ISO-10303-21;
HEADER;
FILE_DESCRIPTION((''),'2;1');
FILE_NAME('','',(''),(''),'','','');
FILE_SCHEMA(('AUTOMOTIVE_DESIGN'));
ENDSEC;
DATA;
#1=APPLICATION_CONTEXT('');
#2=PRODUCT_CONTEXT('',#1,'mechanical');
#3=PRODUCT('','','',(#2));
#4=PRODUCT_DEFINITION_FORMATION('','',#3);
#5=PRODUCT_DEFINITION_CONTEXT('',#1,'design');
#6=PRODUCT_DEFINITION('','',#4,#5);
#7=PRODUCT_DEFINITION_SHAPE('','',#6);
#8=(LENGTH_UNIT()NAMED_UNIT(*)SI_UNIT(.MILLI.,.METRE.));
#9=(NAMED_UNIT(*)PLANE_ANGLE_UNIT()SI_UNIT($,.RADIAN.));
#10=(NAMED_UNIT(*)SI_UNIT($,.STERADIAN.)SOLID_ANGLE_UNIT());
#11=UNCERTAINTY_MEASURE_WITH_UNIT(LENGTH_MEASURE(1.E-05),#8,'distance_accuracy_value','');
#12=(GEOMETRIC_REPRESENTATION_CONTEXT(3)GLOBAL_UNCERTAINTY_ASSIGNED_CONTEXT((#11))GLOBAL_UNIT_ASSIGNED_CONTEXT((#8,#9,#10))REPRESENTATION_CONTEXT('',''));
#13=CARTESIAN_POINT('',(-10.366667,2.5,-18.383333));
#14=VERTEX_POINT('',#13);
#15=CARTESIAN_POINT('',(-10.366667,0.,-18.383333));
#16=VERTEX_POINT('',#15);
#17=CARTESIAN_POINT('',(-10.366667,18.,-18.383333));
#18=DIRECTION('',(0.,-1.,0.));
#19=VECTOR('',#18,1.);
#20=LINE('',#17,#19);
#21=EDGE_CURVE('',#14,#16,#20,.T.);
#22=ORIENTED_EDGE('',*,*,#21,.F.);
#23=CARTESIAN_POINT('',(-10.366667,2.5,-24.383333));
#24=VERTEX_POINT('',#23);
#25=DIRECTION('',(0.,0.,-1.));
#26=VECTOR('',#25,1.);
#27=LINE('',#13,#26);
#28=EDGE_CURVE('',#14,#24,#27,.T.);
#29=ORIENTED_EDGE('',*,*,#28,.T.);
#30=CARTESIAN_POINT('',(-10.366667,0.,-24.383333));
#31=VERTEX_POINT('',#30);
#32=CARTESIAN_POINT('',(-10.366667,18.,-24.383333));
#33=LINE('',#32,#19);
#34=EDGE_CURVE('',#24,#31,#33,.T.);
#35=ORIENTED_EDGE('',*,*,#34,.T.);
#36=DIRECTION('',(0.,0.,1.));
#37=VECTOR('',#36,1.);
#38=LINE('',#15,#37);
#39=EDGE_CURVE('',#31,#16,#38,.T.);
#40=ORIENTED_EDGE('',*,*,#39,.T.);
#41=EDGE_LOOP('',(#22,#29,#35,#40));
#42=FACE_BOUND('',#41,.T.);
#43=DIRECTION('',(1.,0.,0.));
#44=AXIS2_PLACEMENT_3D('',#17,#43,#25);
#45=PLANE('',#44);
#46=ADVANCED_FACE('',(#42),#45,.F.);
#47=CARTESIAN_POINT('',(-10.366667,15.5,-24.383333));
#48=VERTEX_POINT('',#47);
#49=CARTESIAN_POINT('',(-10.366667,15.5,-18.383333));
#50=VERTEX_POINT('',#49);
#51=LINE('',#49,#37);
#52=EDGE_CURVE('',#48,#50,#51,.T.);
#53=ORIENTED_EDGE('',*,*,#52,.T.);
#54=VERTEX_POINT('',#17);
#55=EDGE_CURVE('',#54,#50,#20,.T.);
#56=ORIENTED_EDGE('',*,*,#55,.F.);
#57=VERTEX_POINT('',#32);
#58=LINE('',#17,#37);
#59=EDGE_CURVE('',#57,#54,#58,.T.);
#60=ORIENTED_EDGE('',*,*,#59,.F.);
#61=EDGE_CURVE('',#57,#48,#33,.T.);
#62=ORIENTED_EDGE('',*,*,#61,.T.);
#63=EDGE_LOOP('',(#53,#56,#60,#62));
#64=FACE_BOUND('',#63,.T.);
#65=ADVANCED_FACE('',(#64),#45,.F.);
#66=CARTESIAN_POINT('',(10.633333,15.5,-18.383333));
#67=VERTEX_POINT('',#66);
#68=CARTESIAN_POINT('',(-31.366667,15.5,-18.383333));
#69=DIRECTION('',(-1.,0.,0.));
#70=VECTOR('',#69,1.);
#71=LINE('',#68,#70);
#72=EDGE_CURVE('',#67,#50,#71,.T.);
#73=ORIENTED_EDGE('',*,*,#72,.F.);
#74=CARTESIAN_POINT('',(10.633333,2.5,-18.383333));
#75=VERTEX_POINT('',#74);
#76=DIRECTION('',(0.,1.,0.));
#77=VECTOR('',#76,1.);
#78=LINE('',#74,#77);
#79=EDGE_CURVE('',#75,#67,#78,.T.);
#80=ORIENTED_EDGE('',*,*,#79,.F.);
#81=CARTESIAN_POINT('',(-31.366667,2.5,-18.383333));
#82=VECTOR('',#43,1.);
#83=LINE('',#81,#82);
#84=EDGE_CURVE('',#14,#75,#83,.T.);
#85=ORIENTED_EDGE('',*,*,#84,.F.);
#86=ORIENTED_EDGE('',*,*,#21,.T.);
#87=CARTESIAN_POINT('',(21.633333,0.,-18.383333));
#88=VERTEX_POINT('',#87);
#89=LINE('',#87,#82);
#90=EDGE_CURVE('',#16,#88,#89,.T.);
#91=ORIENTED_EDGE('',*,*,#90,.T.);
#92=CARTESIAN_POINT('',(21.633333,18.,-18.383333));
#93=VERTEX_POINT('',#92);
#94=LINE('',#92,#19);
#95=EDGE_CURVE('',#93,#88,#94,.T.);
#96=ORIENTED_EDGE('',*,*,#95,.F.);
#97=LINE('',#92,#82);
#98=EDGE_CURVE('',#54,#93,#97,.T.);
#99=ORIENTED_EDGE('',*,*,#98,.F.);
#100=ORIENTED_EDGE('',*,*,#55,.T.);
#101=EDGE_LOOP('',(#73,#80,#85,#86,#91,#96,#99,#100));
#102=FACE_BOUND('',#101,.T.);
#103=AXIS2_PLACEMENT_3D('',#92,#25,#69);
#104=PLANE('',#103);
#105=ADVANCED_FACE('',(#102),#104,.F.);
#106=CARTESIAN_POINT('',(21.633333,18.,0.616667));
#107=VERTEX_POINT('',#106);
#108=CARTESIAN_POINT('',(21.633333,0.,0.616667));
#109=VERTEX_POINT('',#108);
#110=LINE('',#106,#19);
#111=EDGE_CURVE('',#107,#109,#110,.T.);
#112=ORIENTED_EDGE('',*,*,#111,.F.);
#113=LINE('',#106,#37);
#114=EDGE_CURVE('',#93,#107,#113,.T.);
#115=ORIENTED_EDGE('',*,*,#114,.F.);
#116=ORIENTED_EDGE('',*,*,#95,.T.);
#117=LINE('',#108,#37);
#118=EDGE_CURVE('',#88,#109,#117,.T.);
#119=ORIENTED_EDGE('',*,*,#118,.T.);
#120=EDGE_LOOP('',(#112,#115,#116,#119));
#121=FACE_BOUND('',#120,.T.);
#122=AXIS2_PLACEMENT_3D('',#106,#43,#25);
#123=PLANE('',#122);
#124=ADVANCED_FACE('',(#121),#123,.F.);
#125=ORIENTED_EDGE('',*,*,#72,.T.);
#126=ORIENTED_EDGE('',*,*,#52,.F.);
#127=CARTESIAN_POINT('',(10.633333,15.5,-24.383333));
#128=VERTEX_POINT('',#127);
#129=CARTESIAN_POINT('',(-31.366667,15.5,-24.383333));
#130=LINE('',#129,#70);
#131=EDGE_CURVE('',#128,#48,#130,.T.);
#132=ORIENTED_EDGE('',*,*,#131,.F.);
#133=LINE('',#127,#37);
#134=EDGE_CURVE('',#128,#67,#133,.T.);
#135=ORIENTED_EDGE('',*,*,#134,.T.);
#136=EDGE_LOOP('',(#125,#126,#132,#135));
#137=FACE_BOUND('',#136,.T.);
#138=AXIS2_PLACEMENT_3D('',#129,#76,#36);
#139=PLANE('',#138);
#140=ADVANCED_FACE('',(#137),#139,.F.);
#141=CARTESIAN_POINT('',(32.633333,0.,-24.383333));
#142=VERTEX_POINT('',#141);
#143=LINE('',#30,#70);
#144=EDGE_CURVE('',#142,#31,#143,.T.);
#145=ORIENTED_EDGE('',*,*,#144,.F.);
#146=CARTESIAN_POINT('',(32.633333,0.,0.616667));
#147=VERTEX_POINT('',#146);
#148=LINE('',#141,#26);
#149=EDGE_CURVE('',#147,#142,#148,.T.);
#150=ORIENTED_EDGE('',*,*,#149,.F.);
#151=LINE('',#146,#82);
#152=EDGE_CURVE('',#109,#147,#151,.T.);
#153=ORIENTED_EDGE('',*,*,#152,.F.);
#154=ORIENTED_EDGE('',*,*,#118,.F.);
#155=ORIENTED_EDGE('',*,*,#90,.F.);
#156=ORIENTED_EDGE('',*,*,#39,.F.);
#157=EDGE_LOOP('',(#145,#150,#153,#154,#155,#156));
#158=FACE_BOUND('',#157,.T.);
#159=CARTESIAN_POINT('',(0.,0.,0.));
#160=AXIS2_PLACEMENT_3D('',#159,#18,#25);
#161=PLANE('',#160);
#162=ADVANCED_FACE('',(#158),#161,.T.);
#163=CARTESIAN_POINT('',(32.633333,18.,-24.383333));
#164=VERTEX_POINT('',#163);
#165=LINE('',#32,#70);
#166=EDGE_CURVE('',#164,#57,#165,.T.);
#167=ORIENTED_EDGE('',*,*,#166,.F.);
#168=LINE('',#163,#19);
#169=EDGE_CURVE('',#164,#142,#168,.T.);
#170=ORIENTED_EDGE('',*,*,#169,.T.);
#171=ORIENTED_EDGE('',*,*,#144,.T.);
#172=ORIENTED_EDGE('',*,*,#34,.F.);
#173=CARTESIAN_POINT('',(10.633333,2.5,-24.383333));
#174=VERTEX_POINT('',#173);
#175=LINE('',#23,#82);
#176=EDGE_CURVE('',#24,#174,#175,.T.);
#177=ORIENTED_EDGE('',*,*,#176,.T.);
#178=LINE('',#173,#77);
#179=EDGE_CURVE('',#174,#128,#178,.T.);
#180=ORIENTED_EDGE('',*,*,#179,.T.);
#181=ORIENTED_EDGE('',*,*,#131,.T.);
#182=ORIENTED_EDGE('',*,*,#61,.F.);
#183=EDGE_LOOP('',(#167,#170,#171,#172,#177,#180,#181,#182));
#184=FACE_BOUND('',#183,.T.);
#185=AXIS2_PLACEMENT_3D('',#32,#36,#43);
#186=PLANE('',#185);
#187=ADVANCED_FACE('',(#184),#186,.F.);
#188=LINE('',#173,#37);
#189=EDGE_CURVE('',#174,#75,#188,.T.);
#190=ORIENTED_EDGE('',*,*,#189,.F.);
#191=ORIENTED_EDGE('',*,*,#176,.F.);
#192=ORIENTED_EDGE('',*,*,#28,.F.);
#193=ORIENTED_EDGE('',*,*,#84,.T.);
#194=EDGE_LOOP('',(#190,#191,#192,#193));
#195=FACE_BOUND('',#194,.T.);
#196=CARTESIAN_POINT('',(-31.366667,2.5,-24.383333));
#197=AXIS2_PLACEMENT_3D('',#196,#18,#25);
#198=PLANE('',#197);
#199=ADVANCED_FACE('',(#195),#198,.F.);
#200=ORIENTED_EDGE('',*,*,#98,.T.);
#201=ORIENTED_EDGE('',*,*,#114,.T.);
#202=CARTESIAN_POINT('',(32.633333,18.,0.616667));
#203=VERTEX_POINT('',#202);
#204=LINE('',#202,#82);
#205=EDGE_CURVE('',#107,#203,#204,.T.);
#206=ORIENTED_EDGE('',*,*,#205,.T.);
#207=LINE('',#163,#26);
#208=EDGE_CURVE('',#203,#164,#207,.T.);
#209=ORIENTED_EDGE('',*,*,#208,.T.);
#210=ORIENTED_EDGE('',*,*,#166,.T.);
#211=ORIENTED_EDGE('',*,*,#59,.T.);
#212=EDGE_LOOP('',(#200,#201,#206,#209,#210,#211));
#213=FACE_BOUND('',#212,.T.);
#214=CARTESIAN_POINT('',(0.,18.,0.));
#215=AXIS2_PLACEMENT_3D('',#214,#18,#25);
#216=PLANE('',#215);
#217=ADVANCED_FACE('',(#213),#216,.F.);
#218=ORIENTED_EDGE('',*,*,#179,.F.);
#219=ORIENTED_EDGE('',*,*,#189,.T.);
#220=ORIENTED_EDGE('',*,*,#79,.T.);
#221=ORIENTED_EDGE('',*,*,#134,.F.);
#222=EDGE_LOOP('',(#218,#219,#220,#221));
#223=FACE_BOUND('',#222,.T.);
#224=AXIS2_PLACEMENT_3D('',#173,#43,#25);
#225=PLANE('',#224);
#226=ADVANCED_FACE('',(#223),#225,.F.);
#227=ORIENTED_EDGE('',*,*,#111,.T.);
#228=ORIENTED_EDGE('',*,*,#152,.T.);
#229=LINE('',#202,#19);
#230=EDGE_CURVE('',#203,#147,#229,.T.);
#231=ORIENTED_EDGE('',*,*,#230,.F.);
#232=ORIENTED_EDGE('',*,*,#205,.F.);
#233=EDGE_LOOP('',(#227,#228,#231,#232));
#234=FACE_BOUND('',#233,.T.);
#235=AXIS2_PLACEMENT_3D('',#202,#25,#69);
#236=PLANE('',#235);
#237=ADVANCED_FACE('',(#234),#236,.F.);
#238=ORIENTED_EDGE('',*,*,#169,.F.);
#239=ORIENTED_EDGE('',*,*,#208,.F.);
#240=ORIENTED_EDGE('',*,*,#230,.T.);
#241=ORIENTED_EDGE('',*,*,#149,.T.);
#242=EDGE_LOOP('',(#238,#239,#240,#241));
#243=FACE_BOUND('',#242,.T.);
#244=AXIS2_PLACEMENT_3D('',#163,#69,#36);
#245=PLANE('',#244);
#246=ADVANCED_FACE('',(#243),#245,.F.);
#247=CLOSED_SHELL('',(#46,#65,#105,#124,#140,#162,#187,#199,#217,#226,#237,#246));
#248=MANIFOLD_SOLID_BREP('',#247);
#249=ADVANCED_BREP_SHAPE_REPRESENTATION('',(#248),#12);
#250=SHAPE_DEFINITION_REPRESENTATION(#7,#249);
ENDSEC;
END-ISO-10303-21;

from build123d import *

# Parameters (mm, degrees)
BOSS_EXTRUDE1_DEPTH = 18
SKETCH2_W           = 42
SKETCH2_H           = 13
CUT_EXTRUDE1_DEPTH  = 42.832217781


with BuildPart() as part:
    # Sketch1 → Boss-Extrude1 (new body)
    with BuildSketch(Plane(origin=(0, 0, 0), x_dir=(1, 0, 0), z_dir=(0, 1, 0))):
        Polygon((-10.366666667, 24.383333333), (32.633333333, 24.383333333), (32.633333333, -0.616666667), (21.633333333, -0.616666667), (21.633333333, 18.383333333), (-10.366666667, 18.383333333), align=None)
    extrude(amount=BOSS_EXTRUDE1_DEPTH)

    # Sketch2 → Cut-Extrude1 (cut, through all)
    with BuildSketch(Plane.XY.offset(-18.383333333)):
        with Locations((-10.366666667, 9)):
            Rectangle(SKETCH2_W, SKETCH2_H)
    extrude(amount=-CUT_EXTRUDE1_DEPTH, mode=Mode.SUBTRACT)


solid = part.part
